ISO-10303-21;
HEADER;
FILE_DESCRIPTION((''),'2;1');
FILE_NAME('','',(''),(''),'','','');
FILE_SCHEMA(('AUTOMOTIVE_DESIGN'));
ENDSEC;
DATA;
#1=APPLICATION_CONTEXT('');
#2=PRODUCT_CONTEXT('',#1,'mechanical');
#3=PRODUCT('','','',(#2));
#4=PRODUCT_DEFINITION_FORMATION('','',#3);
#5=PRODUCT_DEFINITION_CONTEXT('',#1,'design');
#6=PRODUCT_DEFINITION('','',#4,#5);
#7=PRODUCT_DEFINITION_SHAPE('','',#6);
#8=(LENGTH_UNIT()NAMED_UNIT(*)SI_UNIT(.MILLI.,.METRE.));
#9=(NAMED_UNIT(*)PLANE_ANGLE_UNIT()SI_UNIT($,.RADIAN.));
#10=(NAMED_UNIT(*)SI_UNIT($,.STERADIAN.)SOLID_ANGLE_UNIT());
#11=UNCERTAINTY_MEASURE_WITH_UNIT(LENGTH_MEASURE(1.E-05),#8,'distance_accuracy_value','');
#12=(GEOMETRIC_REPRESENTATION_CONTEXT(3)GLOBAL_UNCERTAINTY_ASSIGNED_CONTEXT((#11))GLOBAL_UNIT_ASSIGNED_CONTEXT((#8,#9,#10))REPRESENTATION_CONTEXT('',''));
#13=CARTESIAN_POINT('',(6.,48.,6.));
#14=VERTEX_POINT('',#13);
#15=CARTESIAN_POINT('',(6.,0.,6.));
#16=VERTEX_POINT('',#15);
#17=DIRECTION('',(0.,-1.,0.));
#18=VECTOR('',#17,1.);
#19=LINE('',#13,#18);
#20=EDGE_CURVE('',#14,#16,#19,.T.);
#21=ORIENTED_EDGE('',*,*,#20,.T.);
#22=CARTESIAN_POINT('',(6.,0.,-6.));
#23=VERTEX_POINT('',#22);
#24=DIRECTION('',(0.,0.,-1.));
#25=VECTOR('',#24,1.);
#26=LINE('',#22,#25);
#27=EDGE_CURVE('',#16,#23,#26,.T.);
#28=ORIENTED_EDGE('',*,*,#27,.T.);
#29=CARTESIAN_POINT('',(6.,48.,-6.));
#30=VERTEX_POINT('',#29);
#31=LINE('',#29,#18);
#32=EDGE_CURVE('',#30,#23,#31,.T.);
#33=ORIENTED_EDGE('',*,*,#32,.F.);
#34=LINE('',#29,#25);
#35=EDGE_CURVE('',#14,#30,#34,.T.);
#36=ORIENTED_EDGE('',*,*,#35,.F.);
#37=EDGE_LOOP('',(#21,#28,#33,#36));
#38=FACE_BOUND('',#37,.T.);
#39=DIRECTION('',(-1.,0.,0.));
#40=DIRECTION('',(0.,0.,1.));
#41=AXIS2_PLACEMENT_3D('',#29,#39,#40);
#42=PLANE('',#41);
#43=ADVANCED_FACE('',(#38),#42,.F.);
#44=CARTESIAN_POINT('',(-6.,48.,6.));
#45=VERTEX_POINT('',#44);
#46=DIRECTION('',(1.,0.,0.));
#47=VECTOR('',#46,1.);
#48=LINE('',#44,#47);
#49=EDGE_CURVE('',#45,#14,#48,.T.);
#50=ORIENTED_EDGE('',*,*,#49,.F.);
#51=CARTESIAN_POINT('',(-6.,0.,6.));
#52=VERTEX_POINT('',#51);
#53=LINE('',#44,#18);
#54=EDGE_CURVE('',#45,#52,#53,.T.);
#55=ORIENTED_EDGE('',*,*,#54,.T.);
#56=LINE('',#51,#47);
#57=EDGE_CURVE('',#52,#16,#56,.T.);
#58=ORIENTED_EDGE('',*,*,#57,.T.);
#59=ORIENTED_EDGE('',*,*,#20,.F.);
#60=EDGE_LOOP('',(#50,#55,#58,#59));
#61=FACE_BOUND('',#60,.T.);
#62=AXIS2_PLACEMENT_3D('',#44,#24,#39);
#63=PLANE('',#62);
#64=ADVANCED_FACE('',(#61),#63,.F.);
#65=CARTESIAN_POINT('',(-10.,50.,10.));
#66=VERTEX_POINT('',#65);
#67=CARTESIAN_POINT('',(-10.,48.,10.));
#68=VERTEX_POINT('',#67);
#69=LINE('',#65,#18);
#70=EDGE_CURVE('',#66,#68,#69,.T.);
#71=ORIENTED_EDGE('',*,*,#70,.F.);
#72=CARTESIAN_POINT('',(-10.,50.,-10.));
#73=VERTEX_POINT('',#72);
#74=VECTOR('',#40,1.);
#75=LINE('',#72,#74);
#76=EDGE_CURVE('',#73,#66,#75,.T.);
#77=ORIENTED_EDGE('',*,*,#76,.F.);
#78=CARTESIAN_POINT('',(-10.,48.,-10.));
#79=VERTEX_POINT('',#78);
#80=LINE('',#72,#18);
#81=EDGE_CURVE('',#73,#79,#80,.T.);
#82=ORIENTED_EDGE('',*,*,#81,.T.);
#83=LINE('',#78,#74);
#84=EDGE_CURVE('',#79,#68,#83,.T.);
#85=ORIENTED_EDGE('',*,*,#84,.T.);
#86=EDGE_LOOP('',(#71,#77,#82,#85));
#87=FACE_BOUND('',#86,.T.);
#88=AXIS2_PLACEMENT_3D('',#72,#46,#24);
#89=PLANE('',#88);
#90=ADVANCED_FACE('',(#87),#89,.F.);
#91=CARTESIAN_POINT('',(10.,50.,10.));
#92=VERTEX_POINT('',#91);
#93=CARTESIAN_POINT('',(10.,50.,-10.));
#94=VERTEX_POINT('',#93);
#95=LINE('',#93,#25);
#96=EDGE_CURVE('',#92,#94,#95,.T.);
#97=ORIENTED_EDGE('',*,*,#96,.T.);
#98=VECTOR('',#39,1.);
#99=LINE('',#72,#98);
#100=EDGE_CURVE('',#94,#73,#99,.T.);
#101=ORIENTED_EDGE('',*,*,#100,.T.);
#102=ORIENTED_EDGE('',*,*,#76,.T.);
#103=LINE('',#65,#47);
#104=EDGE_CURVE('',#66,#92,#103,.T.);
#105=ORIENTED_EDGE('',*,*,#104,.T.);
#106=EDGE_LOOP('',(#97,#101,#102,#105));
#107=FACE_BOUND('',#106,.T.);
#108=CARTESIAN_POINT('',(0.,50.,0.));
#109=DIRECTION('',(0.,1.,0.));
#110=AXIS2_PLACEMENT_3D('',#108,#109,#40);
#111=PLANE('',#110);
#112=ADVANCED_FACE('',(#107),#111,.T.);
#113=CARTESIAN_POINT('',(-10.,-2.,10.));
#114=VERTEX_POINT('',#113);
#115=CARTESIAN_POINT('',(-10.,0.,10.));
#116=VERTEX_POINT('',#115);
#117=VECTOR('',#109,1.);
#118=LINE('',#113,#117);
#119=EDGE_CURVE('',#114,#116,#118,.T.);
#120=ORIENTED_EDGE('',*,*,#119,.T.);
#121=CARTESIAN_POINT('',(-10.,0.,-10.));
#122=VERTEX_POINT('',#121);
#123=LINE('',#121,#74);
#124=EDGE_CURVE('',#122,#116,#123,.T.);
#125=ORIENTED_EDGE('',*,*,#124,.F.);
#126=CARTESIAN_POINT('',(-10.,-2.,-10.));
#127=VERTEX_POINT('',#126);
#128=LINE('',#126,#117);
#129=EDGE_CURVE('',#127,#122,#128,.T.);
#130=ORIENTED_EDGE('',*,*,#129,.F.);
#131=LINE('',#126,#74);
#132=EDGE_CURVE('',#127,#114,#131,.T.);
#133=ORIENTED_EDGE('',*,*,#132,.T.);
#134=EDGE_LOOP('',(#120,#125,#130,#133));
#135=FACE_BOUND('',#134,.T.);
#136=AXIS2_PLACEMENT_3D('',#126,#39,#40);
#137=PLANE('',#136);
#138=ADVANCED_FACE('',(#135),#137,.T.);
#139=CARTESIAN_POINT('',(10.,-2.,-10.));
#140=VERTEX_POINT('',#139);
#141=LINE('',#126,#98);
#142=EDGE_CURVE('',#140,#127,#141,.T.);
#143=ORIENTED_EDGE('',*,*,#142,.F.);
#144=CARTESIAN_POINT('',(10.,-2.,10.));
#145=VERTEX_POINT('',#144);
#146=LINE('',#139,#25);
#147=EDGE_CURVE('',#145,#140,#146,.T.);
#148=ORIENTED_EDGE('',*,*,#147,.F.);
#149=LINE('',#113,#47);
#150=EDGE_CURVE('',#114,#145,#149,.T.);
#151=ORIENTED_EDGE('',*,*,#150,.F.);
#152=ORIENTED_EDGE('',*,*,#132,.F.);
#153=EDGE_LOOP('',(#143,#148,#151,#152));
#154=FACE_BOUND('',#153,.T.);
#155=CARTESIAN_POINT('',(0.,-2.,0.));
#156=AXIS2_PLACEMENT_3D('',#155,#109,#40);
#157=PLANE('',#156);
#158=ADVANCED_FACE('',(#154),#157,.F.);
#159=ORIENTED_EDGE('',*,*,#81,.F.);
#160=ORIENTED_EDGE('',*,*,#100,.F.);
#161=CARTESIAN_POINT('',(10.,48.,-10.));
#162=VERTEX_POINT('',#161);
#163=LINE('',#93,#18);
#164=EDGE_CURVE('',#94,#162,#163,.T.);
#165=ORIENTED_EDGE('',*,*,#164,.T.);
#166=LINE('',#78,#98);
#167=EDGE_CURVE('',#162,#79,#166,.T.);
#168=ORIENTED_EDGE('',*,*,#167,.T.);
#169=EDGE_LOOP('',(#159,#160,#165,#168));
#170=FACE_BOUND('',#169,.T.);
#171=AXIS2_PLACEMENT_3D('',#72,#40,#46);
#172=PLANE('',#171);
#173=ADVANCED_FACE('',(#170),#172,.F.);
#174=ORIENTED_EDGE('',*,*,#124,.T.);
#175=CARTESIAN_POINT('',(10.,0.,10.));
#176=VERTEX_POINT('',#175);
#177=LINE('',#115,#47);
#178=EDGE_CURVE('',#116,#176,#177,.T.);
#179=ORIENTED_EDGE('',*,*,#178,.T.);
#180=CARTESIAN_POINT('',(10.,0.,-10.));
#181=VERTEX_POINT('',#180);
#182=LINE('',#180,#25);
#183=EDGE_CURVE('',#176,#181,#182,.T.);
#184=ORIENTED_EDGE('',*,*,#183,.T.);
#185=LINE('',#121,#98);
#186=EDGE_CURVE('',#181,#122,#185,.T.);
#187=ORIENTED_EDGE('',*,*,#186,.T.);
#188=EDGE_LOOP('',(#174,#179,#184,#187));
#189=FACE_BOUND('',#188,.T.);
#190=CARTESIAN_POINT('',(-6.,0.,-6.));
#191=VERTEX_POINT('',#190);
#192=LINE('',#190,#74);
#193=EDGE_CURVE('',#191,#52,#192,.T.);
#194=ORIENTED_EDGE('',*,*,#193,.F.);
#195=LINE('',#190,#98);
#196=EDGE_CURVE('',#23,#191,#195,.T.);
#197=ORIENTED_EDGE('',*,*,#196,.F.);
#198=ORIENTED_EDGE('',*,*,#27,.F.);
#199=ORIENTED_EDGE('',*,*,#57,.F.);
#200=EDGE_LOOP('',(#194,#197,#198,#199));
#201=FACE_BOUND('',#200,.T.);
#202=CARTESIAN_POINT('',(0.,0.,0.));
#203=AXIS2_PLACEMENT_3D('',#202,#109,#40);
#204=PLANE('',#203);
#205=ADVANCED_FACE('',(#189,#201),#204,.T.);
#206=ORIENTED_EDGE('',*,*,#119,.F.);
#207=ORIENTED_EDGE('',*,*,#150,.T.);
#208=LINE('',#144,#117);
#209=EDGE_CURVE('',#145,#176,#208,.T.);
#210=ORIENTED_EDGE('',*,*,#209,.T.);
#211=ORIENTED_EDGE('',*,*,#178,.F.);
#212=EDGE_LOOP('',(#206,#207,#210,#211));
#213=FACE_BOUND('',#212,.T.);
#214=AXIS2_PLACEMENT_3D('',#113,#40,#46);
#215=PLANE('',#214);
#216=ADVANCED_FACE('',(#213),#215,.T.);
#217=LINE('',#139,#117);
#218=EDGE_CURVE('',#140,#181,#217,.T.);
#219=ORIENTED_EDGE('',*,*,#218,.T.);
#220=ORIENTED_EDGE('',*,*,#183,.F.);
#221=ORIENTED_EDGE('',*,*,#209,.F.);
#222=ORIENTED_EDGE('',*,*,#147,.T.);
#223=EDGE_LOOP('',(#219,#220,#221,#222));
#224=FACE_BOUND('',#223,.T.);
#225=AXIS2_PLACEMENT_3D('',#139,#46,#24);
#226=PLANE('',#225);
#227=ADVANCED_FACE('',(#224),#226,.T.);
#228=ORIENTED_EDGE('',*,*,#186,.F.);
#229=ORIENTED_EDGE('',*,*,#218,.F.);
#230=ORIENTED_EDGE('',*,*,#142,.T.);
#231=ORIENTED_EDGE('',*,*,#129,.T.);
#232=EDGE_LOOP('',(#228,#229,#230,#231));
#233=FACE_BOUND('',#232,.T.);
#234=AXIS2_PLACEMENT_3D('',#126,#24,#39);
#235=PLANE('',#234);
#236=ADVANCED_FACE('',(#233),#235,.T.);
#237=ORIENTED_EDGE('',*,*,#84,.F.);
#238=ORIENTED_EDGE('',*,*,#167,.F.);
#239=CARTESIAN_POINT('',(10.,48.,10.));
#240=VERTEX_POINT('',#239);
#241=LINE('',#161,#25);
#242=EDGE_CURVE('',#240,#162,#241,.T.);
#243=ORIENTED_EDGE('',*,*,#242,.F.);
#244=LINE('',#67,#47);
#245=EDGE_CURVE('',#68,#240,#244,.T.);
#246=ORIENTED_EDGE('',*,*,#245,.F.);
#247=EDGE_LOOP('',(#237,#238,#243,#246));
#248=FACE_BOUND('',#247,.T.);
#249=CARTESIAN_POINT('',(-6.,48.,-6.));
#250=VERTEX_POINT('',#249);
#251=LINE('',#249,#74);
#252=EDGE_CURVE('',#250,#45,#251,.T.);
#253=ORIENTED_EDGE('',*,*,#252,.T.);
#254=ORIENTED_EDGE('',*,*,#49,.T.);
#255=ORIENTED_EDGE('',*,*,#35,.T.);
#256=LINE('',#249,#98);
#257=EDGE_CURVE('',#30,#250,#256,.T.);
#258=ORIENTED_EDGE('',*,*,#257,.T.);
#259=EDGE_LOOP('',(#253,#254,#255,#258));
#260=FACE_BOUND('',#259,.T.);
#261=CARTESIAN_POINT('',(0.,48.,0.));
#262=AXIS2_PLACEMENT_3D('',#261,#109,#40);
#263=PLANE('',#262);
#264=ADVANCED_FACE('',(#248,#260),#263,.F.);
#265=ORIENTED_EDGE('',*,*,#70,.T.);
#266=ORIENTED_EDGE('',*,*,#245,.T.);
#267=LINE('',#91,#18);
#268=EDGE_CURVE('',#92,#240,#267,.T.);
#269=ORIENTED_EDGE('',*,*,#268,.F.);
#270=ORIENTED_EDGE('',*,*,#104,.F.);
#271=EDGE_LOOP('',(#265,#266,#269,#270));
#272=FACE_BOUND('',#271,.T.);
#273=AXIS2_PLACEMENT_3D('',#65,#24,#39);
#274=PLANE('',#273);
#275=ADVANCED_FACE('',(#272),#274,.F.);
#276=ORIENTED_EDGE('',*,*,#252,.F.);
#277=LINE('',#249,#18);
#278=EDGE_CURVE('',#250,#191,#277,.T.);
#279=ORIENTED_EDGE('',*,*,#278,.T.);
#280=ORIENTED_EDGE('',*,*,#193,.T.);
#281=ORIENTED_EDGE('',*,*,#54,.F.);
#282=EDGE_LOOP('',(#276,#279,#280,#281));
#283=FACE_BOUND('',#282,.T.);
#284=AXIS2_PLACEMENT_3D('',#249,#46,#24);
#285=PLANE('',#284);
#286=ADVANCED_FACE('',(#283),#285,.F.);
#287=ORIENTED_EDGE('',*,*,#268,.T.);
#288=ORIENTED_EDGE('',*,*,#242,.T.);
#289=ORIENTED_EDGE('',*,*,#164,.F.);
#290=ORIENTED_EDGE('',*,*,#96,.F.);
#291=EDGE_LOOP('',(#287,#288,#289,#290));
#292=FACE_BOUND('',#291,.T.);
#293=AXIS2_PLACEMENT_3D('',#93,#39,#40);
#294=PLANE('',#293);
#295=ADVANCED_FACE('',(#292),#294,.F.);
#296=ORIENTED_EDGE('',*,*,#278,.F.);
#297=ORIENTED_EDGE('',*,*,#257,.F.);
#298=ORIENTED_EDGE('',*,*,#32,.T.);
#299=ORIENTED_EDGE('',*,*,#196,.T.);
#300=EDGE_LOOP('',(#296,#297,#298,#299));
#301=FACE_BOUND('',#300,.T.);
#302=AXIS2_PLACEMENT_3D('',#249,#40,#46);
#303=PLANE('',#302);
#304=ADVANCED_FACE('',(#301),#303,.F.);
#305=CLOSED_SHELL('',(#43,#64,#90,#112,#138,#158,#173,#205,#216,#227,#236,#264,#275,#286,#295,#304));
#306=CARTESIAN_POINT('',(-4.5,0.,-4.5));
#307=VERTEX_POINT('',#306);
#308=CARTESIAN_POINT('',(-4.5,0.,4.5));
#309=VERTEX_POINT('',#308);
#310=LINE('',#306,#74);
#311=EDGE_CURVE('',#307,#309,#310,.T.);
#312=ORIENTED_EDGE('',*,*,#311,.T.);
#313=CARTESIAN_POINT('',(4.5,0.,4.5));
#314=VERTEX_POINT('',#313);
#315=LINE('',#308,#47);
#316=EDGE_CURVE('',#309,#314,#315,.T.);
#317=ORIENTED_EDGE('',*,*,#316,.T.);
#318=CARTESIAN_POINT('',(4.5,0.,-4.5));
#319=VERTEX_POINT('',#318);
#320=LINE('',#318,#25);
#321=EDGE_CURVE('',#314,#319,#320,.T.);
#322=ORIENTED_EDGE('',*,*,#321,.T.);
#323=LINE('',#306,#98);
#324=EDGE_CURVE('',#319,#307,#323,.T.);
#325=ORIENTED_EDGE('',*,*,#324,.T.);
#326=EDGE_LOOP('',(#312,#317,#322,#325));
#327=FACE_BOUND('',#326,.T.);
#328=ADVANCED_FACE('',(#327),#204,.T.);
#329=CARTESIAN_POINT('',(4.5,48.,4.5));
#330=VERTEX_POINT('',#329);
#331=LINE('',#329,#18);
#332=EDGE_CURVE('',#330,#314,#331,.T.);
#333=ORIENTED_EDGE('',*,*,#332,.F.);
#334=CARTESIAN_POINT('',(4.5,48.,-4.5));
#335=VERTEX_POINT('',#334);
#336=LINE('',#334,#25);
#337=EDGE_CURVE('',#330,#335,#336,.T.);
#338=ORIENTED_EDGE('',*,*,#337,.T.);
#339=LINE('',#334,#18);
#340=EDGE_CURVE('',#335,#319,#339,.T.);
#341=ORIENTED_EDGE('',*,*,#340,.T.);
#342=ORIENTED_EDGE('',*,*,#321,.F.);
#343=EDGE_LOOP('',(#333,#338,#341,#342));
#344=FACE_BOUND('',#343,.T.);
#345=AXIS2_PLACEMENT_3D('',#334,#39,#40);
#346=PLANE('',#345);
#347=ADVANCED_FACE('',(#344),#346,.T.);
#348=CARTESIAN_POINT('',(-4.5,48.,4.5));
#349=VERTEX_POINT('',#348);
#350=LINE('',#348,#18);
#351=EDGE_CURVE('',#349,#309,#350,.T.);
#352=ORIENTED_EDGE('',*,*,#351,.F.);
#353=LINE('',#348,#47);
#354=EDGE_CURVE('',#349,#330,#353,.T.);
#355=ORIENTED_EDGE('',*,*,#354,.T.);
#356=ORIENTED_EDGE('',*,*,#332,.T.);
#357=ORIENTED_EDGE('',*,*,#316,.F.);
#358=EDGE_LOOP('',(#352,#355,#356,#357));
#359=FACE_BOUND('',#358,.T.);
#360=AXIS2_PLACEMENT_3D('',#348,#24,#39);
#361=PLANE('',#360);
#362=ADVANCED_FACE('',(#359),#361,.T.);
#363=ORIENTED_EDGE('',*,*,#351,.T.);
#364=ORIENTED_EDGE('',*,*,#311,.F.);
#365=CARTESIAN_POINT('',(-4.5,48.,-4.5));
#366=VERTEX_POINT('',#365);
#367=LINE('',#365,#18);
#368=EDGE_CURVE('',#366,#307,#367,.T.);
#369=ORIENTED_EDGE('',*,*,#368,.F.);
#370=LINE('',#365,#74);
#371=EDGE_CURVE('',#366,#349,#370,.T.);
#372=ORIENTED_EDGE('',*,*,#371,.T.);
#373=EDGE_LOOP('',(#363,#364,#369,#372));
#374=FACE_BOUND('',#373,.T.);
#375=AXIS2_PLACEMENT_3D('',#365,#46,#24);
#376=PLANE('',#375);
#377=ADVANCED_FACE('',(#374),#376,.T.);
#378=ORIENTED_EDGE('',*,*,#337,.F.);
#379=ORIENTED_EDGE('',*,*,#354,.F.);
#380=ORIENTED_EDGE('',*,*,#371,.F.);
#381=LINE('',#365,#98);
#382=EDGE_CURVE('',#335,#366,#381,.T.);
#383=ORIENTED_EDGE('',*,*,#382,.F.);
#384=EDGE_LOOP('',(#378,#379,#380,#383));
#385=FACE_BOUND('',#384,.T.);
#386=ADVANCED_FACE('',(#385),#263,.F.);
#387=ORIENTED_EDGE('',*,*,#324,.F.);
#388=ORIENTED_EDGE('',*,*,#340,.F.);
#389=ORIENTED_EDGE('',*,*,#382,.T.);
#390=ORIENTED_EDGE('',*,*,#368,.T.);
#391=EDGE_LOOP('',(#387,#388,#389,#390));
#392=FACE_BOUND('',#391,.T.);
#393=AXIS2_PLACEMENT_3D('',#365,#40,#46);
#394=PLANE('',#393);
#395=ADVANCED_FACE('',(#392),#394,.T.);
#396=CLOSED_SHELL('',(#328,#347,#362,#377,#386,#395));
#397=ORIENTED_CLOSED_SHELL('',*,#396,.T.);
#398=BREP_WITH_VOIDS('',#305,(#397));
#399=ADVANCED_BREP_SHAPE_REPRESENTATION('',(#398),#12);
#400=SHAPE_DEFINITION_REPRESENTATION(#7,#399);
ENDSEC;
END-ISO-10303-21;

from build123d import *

# Parameters (mm, degrees)
SKETCH1_W           = 12
SKETCH1_H           = 12
SKETCH1_W_2         = 9
SKETCH1_H_2         = 9
BOSS_EXTRUDE1_DEPTH = 48
SKETCH3_W           = 20
SKETCH3_H           = 20
BOSS_EXTRUDE2_DEPTH = 2
SKETCH4_W           = 20
SKETCH4_H           = 20
BOSS_EXTRUDE3_DEPTH = 2


with BuildPart() as part:
    # Sketch1 → Boss-Extrude1 (new body)
    with BuildSketch(Plane(origin=(0, 0, 0), x_dir=(1, 0, 0), z_dir=(0, 1, 0))):
        Rectangle(SKETCH1_W, SKETCH1_H)
        Rectangle(SKETCH1_W_2, SKETCH1_H_2, mode=Mode.SUBTRACT)
    extrude(amount=BOSS_EXTRUDE1_DEPTH)

    # Sketch3 → Boss-Extrude2 (add)
    with BuildSketch(Plane(origin=(0, 0, 0), x_dir=(1, 0, 0), z_dir=(0, 1, 0))):
        Rectangle(SKETCH3_W, SKETCH3_H)
    extrude(amount=-BOSS_EXTRUDE2_DEPTH)

    # Sketch4 → Boss-Extrude3 (add)
    with BuildSketch(Plane(origin=(0, 48, 0), x_dir=(1, 0, 0), z_dir=(0, 1, 0))):
        Rectangle(SKETCH4_W, SKETCH4_H)
    extrude(amount=BOSS_EXTRUDE3_DEPTH)


solid = part.part
